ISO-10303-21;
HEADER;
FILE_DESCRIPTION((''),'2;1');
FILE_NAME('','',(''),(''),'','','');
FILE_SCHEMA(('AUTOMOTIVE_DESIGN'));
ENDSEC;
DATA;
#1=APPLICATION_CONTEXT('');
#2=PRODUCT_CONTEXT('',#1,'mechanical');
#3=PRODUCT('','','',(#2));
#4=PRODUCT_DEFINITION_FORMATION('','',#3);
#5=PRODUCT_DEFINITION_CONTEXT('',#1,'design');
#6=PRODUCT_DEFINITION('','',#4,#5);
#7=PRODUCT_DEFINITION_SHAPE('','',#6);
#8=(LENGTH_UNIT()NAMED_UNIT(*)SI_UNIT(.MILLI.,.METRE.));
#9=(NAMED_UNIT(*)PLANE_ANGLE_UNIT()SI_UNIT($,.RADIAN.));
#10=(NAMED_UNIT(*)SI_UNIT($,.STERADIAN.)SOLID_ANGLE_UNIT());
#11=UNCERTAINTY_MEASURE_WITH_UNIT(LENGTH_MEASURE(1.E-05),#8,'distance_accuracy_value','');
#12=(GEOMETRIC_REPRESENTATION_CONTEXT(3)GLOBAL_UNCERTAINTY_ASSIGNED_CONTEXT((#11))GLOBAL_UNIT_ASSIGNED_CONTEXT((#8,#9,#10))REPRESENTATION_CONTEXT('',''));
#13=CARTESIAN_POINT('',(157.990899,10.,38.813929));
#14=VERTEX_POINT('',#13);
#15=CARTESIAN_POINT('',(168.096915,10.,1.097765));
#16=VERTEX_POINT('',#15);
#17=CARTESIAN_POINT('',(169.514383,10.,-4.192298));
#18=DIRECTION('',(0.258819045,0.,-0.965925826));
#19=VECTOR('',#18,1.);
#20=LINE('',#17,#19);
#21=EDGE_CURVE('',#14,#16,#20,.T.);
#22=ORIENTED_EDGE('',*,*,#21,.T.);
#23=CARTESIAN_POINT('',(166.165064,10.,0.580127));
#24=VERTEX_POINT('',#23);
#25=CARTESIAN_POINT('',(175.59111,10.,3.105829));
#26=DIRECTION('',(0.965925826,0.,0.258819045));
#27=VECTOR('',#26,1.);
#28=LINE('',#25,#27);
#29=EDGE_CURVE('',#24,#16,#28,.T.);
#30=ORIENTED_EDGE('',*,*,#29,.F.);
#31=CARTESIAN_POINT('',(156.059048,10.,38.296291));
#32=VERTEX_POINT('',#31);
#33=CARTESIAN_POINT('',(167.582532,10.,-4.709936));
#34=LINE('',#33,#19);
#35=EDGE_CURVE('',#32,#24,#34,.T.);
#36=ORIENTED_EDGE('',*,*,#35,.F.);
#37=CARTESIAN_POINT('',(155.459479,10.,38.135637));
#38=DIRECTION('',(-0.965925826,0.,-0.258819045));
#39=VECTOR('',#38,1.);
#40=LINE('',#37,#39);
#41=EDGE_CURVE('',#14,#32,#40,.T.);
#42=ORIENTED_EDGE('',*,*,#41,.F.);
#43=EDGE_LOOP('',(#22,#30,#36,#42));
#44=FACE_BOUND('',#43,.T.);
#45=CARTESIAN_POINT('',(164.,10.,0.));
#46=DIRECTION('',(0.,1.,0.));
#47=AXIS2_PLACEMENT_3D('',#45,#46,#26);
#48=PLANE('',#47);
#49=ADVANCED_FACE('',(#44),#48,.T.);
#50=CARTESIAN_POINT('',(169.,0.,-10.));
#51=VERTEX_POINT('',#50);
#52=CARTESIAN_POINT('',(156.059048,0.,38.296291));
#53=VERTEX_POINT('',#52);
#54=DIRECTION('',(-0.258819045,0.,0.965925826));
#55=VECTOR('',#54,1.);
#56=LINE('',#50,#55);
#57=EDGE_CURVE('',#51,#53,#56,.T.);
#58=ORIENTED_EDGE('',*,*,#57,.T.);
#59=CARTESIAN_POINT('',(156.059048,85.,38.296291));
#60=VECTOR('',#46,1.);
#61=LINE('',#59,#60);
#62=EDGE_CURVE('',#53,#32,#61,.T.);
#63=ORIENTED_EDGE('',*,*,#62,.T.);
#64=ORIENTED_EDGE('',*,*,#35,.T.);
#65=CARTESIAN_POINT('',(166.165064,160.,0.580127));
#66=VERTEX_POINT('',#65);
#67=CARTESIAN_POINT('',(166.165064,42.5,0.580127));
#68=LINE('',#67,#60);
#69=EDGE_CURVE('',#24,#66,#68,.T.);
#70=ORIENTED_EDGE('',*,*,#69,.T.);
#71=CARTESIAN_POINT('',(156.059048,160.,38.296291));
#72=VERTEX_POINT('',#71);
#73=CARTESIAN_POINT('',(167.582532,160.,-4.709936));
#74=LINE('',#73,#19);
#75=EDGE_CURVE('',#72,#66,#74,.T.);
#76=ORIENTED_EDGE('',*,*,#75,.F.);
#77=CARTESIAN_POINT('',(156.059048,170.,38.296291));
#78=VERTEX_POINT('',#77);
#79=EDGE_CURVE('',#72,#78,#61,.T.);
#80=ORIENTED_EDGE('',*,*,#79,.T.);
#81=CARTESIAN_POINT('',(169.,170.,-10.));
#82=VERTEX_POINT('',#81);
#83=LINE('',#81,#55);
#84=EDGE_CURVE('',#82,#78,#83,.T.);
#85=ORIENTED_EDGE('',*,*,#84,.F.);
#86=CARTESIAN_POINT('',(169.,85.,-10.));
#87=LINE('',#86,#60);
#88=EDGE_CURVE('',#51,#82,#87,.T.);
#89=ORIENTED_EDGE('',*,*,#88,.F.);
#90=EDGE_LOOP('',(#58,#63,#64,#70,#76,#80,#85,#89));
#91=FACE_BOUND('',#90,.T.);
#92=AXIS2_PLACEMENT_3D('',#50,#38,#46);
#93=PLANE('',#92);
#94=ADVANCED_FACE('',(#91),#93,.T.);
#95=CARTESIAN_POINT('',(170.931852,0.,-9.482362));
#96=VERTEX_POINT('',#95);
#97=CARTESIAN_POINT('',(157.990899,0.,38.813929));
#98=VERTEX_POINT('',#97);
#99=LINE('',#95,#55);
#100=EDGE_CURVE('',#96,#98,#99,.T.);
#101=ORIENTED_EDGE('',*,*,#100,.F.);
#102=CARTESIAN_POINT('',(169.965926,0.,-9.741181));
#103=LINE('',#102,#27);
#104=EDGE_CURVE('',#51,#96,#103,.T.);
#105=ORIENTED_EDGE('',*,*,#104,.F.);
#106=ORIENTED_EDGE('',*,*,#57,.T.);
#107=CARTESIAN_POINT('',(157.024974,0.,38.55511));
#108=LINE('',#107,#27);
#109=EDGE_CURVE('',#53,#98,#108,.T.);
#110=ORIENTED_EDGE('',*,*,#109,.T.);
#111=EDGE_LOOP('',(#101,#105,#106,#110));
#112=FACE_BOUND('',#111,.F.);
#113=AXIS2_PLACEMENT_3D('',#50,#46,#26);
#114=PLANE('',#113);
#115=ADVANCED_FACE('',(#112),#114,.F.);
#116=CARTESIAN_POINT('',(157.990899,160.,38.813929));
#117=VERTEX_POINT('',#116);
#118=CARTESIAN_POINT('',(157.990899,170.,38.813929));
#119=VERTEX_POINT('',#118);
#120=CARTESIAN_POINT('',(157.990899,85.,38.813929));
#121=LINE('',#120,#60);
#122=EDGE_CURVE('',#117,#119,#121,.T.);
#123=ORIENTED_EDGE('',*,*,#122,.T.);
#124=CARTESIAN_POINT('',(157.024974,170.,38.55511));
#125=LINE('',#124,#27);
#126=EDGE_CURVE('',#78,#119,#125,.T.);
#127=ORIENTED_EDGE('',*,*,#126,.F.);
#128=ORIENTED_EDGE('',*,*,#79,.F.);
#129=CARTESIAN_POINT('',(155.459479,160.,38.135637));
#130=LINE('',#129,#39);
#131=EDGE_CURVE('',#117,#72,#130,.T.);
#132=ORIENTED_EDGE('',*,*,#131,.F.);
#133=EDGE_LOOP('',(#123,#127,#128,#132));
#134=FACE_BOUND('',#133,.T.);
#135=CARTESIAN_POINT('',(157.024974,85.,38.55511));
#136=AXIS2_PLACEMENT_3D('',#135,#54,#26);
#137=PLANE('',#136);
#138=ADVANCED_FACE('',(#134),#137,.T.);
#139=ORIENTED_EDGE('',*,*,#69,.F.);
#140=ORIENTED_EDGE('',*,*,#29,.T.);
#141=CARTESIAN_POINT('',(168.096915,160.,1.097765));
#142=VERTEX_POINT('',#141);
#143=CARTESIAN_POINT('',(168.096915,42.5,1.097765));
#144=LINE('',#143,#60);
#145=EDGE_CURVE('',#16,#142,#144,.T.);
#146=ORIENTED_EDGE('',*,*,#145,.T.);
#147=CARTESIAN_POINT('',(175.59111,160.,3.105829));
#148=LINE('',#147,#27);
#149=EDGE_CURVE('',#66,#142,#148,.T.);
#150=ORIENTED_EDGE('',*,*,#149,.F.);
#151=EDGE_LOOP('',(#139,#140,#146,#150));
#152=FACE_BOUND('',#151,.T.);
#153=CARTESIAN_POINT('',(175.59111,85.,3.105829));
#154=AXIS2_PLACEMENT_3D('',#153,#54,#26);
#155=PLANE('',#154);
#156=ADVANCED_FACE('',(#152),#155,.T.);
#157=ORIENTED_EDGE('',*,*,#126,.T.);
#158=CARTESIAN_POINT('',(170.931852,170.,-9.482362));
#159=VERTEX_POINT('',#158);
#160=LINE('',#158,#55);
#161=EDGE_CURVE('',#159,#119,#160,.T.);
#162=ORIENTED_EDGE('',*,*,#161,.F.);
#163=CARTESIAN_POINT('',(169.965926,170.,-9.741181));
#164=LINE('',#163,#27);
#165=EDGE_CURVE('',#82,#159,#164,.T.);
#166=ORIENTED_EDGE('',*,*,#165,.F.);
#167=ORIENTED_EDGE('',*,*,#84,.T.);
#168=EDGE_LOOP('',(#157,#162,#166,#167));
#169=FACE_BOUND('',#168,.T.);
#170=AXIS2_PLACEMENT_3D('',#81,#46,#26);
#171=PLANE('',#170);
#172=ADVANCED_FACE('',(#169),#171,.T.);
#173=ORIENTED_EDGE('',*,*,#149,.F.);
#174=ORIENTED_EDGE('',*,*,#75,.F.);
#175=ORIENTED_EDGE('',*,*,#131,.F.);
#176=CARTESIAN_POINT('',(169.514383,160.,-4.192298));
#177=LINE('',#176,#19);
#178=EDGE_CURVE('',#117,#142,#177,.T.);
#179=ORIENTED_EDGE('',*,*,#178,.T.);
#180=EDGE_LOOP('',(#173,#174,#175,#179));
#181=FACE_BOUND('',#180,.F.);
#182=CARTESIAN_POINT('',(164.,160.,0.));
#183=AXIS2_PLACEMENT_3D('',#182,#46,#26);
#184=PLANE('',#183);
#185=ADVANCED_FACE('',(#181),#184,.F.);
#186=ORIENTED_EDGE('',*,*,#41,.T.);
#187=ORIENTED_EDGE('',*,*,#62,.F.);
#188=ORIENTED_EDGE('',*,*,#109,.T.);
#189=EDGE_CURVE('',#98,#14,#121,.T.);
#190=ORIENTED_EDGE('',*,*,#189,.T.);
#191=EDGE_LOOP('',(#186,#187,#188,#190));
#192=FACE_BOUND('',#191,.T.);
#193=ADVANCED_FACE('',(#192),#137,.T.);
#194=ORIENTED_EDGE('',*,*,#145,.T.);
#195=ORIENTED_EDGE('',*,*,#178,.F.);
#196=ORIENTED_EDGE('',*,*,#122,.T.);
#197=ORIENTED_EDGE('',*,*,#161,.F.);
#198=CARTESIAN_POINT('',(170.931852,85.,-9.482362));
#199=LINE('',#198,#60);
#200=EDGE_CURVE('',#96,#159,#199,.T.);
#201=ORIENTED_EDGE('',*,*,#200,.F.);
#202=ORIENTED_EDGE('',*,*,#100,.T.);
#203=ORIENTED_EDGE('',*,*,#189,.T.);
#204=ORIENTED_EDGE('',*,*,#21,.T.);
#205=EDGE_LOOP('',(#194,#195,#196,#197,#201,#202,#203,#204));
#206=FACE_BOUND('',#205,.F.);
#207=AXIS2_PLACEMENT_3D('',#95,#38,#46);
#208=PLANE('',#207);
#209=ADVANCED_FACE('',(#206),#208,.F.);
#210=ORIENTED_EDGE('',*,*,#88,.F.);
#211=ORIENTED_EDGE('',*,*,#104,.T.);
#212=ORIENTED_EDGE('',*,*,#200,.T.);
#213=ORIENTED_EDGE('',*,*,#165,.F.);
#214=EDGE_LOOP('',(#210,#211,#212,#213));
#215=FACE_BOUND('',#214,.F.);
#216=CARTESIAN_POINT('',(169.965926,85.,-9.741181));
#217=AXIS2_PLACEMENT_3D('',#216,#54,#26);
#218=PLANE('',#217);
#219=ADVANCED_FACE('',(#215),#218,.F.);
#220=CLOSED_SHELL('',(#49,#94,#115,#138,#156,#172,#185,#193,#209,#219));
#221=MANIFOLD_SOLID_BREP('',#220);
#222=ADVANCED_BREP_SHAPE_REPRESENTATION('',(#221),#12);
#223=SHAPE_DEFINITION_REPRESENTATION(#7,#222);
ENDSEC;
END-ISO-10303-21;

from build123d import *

# Parameters (mm, degrees)
BOX020_W               = 24
BOX020_H               = 150
BOX020_DEPTH           = 40
BOX020_PLACEMENT_ANGLE = 15
BOX001_W               = 2
BOX001_H               = 170
BOX001_DEPTH           = 50
BOX001_PLACEMENT_ANGLE = 15


with BuildPart() as face001:
    # Box020 → Box020 (new body)
    with BuildSketch(Plane.XY):
        with Locations((12, 75)):
            Rectangle(BOX020_W, BOX020_H)
    extrude(amount=BOX020_DEPTH)


with BuildPart() as face001_1:
    # Box020 placement: moved
    add(face001.part.moved(Location((164, 10, 0))).rotate(Axis((164, 10, 0), (0, -1, 0)), BOX020_PLACEMENT_ANGLE))


with BuildPart() as cut005:
    # Box001 → Box001 (new body)
    with BuildSketch(Plane.XY):
        with Locations((1, 85)):
            Rectangle(BOX001_W, BOX001_H)
    extrude(amount=BOX001_DEPTH)


with BuildPart() as cut005_1:
    # Box001 placement: moved
    add(cut005.part.moved(Location((169, 0, -10))).rotate(Axis((169, 0, -10), (0, -1, 0)), BOX001_PLACEMENT_ANGLE))

    # Cut005: cut Face001
    add(face001_1.part, mode=Mode.SUBTRACT)


solid = cut005_1.part
